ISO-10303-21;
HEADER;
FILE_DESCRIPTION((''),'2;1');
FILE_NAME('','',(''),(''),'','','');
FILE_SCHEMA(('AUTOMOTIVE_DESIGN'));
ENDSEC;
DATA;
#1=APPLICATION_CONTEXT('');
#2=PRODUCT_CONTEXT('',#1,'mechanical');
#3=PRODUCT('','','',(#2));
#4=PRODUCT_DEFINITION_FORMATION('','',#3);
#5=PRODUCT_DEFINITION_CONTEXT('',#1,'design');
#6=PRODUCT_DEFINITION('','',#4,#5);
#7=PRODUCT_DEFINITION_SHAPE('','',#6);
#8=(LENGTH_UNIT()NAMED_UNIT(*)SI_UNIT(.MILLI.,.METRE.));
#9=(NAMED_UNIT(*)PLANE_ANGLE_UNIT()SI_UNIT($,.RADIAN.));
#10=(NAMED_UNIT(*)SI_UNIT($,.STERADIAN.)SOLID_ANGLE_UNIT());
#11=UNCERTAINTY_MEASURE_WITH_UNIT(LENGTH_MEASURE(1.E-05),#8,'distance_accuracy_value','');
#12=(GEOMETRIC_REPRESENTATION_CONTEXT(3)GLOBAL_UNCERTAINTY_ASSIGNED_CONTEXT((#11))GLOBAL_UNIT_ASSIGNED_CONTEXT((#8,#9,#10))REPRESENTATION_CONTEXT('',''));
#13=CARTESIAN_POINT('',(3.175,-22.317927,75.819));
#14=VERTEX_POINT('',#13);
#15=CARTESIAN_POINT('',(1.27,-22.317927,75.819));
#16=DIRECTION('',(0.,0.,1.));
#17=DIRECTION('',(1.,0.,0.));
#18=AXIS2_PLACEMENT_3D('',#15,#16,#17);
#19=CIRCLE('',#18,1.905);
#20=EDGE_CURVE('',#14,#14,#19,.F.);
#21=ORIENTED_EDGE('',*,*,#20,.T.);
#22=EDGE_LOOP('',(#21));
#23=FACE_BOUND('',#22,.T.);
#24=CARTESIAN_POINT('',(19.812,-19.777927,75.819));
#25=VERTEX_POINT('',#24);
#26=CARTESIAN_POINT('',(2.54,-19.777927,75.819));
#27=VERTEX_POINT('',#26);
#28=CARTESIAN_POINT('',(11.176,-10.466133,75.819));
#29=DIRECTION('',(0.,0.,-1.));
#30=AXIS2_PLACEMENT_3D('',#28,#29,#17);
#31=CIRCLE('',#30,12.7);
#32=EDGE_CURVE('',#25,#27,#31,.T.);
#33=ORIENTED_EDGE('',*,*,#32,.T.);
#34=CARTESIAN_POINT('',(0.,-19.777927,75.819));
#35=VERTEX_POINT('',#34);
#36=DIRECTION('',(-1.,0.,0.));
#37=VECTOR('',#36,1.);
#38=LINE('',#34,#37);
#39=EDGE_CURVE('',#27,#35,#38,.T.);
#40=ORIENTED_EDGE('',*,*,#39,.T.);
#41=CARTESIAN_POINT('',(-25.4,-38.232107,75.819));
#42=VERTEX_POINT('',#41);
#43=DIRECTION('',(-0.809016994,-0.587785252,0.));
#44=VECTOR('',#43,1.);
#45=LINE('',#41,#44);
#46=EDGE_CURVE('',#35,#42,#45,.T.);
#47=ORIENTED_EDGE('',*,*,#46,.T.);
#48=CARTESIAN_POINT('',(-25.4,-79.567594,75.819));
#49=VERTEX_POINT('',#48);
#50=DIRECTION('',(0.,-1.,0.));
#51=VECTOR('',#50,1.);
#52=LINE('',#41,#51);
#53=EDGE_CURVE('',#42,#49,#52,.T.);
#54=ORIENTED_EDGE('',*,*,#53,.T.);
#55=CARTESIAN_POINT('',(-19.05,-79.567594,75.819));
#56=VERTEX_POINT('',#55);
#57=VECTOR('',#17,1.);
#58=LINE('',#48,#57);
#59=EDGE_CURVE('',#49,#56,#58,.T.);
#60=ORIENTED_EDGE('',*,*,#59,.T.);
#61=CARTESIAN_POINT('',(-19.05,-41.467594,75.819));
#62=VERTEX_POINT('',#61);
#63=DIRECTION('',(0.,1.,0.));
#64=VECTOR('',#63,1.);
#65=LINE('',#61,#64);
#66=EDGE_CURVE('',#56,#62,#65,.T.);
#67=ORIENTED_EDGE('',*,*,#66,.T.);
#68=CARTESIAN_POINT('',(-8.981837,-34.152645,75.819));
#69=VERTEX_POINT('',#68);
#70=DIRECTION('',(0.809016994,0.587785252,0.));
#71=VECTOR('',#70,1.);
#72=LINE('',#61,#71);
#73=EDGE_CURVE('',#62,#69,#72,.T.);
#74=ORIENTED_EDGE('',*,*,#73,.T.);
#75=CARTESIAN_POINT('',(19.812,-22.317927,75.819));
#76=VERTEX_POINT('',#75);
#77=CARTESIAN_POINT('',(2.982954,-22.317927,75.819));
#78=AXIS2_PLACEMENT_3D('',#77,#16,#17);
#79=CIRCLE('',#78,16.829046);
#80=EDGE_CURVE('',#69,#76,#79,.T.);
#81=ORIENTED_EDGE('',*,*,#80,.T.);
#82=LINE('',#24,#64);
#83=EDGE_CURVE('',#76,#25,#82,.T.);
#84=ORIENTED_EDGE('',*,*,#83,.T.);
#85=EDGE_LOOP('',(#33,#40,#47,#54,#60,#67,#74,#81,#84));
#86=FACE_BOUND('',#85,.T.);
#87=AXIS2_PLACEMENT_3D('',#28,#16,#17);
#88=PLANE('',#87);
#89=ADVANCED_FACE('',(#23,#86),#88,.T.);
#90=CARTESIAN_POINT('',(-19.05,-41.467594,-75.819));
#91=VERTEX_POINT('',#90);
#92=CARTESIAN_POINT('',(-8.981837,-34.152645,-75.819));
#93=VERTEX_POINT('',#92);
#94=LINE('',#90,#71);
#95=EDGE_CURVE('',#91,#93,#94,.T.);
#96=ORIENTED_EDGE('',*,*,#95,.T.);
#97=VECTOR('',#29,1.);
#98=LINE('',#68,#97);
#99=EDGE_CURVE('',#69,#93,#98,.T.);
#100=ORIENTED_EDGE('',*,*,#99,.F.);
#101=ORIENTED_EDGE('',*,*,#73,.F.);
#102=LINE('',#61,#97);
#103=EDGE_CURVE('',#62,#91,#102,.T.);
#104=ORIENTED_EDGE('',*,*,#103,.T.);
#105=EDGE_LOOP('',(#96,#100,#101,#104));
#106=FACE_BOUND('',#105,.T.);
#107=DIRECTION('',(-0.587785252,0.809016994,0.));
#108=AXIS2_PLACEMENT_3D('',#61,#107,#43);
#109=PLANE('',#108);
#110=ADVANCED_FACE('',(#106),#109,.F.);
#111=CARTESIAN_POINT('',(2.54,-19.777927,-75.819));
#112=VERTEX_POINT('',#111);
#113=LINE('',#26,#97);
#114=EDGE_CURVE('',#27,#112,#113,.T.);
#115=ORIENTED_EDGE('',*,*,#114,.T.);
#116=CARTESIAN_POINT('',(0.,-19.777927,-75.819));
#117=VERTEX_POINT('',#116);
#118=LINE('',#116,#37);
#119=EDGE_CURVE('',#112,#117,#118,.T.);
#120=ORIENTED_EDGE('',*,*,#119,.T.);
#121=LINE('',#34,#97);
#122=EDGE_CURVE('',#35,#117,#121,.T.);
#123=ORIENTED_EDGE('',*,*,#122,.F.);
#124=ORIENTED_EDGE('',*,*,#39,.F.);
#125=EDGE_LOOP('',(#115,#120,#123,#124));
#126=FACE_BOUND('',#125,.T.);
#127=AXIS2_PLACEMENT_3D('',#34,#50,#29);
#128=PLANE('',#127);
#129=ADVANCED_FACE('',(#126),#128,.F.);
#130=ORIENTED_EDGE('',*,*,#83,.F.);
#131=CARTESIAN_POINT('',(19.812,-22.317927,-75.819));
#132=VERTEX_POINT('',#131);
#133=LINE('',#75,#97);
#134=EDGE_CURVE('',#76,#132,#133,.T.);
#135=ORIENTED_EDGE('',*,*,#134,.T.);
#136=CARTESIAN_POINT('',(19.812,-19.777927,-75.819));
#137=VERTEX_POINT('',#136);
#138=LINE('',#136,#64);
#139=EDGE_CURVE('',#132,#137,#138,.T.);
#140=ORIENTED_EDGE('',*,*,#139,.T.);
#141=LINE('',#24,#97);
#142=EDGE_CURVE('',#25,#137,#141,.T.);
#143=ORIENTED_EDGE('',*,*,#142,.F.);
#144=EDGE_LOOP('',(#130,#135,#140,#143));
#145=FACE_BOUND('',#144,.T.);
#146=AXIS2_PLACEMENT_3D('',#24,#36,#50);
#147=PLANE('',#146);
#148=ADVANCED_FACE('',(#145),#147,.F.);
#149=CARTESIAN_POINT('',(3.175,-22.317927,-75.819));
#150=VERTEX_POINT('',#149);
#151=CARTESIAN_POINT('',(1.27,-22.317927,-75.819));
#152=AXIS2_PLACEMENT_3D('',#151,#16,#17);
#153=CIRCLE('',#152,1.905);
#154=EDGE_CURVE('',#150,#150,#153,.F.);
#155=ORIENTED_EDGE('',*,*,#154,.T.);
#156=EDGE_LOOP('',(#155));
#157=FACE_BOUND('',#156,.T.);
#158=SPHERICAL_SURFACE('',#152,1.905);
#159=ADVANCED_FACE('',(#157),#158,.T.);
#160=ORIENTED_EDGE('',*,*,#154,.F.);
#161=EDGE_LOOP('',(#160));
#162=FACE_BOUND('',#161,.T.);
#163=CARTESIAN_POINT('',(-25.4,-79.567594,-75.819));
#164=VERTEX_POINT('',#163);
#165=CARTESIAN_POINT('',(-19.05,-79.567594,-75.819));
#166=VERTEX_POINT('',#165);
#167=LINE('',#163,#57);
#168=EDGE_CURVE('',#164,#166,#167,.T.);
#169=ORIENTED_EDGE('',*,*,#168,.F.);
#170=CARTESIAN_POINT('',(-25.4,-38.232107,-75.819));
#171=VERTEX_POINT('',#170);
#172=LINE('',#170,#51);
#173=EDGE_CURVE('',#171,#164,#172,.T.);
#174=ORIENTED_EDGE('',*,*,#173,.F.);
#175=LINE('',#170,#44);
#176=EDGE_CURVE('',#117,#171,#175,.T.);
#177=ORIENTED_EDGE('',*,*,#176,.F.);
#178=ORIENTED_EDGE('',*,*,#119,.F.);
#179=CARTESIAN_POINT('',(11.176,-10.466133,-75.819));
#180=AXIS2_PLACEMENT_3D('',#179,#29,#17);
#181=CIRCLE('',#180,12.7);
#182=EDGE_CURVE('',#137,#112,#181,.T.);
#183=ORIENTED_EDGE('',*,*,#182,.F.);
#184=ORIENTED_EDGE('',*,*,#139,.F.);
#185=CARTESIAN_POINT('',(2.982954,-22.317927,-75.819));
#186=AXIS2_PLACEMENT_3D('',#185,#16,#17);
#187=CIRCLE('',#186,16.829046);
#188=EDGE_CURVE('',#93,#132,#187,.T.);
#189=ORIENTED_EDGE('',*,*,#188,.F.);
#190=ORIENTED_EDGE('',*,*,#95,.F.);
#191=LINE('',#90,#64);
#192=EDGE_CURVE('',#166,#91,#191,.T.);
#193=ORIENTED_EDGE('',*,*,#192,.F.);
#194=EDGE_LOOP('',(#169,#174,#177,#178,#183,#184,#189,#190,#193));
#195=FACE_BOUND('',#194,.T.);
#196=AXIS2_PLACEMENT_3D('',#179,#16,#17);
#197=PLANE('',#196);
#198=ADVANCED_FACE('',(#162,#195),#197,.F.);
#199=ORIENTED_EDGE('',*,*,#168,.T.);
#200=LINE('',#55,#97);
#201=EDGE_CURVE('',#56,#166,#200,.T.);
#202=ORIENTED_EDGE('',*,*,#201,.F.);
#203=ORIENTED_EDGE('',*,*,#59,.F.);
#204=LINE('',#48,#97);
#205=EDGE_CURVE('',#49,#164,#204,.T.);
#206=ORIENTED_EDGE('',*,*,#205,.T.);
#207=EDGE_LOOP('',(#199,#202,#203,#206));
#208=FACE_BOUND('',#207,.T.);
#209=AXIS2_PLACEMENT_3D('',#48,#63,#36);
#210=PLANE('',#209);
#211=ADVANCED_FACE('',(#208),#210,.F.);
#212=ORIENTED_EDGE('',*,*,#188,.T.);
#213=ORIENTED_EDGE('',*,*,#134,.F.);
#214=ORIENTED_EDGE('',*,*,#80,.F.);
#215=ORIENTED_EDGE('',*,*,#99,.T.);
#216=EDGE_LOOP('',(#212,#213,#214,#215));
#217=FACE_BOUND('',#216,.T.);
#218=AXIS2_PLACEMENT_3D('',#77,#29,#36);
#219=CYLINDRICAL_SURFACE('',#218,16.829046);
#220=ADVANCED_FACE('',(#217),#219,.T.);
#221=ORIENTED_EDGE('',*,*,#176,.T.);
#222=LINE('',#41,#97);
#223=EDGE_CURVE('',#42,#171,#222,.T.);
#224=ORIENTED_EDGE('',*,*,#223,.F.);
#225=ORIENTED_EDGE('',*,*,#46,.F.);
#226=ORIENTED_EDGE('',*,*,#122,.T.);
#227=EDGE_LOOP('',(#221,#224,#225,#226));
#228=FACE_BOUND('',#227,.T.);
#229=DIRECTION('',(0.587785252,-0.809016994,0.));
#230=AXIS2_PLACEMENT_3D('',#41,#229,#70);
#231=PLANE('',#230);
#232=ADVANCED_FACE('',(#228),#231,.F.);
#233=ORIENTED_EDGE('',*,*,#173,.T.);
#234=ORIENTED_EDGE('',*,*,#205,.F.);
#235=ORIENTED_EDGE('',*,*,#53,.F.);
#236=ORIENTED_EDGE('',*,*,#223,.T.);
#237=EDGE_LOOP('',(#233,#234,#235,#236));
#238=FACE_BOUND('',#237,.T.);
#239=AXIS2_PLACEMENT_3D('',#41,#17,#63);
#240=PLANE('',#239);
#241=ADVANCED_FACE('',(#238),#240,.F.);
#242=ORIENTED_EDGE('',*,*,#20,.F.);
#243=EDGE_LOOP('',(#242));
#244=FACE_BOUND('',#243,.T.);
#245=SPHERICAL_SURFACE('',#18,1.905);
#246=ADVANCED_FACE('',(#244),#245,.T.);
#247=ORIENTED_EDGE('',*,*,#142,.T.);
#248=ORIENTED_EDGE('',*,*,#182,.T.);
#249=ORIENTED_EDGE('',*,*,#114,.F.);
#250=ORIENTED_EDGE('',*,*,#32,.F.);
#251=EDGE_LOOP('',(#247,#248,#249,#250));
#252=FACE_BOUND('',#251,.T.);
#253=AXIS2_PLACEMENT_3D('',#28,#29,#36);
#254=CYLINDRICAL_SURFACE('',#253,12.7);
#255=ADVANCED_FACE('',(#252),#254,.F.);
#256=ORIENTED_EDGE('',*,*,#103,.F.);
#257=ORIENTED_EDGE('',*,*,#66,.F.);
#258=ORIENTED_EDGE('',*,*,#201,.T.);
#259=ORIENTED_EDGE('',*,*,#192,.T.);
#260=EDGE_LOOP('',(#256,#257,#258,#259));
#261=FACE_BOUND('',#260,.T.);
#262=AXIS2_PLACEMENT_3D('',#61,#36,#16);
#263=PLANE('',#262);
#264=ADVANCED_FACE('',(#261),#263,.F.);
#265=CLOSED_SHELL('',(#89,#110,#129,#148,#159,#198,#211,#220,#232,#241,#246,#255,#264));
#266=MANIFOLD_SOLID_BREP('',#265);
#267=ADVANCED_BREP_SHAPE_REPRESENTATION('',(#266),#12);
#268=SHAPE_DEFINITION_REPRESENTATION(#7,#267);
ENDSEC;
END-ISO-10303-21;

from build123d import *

# Parameters (mm, degrees)
BOSS_EXTRUDE1_DEPTH = 75.819


with BuildPart() as part:
    # Sketch1 → Boss-Extrude1 (new, symmetric)
    with BuildSketch(Plane.XY):
        with BuildLine():
            Line((-19.05, -41.467593741), (-8.981837469, -34.152645484))
            ThreePointArc((-8.981837469, -34.152645484), (9.380639725, -37.883478952), (19.812, -22.317926926))
            Line((19.812, -22.317926926), (19.812, -19.777926926))
            ThreePointArc((19.812, -19.777926926), (11.176, -23.166133114), (2.54, -19.777926926))
            Line((2.54, -19.777926926), (0, -19.777926926))
            Line((0, -19.777926926), (-25.4, -38.232107137))
            Line((-25.4, -38.232107137), (-25.4, -79.567593741))
            Line((-25.4, -79.567593741), (-19.05, -79.567593741))
            Line((-19.05, -79.567593741), (-19.05, -41.467593741))
        make_face()
    extrude(amount=BOSS_EXTRUDE1_DEPTH, both=True)

    # Sketch2 → Revolve1 (revolve)
    with BuildSketch(Plane.XY.offset(75.819)):
        with BuildLine():
            Line((1.27, -20.412926926), (1.27, -24.222926926))
            ThreePointArc((1.27, -24.222926926), (3.175, -22.317926926), (1.27, -20.412926926))
        make_face()
    revolve(axis=Axis((1.27, -20.412926926, 75.819), (0, -1, 0)))

    # Sketch3 → Revolve2 (revolve)
    with BuildSketch(Plane(origin=(0, 0, -75.819), x_dir=(-1, 0, 0), z_dir=(0, 0, -1))):
        with BuildLine():
            Line((-1.27, -20.412926926), (-1.27, -24.222926926))
            ThreePointArc((-1.27, -24.222926926), (0.635, -22.317926926), (-1.27, -20.412926926))
        make_face()
    revolve(axis=Axis((1.27, -20.412926926, -75.819), (0, -1, 0)))


solid = part.part
